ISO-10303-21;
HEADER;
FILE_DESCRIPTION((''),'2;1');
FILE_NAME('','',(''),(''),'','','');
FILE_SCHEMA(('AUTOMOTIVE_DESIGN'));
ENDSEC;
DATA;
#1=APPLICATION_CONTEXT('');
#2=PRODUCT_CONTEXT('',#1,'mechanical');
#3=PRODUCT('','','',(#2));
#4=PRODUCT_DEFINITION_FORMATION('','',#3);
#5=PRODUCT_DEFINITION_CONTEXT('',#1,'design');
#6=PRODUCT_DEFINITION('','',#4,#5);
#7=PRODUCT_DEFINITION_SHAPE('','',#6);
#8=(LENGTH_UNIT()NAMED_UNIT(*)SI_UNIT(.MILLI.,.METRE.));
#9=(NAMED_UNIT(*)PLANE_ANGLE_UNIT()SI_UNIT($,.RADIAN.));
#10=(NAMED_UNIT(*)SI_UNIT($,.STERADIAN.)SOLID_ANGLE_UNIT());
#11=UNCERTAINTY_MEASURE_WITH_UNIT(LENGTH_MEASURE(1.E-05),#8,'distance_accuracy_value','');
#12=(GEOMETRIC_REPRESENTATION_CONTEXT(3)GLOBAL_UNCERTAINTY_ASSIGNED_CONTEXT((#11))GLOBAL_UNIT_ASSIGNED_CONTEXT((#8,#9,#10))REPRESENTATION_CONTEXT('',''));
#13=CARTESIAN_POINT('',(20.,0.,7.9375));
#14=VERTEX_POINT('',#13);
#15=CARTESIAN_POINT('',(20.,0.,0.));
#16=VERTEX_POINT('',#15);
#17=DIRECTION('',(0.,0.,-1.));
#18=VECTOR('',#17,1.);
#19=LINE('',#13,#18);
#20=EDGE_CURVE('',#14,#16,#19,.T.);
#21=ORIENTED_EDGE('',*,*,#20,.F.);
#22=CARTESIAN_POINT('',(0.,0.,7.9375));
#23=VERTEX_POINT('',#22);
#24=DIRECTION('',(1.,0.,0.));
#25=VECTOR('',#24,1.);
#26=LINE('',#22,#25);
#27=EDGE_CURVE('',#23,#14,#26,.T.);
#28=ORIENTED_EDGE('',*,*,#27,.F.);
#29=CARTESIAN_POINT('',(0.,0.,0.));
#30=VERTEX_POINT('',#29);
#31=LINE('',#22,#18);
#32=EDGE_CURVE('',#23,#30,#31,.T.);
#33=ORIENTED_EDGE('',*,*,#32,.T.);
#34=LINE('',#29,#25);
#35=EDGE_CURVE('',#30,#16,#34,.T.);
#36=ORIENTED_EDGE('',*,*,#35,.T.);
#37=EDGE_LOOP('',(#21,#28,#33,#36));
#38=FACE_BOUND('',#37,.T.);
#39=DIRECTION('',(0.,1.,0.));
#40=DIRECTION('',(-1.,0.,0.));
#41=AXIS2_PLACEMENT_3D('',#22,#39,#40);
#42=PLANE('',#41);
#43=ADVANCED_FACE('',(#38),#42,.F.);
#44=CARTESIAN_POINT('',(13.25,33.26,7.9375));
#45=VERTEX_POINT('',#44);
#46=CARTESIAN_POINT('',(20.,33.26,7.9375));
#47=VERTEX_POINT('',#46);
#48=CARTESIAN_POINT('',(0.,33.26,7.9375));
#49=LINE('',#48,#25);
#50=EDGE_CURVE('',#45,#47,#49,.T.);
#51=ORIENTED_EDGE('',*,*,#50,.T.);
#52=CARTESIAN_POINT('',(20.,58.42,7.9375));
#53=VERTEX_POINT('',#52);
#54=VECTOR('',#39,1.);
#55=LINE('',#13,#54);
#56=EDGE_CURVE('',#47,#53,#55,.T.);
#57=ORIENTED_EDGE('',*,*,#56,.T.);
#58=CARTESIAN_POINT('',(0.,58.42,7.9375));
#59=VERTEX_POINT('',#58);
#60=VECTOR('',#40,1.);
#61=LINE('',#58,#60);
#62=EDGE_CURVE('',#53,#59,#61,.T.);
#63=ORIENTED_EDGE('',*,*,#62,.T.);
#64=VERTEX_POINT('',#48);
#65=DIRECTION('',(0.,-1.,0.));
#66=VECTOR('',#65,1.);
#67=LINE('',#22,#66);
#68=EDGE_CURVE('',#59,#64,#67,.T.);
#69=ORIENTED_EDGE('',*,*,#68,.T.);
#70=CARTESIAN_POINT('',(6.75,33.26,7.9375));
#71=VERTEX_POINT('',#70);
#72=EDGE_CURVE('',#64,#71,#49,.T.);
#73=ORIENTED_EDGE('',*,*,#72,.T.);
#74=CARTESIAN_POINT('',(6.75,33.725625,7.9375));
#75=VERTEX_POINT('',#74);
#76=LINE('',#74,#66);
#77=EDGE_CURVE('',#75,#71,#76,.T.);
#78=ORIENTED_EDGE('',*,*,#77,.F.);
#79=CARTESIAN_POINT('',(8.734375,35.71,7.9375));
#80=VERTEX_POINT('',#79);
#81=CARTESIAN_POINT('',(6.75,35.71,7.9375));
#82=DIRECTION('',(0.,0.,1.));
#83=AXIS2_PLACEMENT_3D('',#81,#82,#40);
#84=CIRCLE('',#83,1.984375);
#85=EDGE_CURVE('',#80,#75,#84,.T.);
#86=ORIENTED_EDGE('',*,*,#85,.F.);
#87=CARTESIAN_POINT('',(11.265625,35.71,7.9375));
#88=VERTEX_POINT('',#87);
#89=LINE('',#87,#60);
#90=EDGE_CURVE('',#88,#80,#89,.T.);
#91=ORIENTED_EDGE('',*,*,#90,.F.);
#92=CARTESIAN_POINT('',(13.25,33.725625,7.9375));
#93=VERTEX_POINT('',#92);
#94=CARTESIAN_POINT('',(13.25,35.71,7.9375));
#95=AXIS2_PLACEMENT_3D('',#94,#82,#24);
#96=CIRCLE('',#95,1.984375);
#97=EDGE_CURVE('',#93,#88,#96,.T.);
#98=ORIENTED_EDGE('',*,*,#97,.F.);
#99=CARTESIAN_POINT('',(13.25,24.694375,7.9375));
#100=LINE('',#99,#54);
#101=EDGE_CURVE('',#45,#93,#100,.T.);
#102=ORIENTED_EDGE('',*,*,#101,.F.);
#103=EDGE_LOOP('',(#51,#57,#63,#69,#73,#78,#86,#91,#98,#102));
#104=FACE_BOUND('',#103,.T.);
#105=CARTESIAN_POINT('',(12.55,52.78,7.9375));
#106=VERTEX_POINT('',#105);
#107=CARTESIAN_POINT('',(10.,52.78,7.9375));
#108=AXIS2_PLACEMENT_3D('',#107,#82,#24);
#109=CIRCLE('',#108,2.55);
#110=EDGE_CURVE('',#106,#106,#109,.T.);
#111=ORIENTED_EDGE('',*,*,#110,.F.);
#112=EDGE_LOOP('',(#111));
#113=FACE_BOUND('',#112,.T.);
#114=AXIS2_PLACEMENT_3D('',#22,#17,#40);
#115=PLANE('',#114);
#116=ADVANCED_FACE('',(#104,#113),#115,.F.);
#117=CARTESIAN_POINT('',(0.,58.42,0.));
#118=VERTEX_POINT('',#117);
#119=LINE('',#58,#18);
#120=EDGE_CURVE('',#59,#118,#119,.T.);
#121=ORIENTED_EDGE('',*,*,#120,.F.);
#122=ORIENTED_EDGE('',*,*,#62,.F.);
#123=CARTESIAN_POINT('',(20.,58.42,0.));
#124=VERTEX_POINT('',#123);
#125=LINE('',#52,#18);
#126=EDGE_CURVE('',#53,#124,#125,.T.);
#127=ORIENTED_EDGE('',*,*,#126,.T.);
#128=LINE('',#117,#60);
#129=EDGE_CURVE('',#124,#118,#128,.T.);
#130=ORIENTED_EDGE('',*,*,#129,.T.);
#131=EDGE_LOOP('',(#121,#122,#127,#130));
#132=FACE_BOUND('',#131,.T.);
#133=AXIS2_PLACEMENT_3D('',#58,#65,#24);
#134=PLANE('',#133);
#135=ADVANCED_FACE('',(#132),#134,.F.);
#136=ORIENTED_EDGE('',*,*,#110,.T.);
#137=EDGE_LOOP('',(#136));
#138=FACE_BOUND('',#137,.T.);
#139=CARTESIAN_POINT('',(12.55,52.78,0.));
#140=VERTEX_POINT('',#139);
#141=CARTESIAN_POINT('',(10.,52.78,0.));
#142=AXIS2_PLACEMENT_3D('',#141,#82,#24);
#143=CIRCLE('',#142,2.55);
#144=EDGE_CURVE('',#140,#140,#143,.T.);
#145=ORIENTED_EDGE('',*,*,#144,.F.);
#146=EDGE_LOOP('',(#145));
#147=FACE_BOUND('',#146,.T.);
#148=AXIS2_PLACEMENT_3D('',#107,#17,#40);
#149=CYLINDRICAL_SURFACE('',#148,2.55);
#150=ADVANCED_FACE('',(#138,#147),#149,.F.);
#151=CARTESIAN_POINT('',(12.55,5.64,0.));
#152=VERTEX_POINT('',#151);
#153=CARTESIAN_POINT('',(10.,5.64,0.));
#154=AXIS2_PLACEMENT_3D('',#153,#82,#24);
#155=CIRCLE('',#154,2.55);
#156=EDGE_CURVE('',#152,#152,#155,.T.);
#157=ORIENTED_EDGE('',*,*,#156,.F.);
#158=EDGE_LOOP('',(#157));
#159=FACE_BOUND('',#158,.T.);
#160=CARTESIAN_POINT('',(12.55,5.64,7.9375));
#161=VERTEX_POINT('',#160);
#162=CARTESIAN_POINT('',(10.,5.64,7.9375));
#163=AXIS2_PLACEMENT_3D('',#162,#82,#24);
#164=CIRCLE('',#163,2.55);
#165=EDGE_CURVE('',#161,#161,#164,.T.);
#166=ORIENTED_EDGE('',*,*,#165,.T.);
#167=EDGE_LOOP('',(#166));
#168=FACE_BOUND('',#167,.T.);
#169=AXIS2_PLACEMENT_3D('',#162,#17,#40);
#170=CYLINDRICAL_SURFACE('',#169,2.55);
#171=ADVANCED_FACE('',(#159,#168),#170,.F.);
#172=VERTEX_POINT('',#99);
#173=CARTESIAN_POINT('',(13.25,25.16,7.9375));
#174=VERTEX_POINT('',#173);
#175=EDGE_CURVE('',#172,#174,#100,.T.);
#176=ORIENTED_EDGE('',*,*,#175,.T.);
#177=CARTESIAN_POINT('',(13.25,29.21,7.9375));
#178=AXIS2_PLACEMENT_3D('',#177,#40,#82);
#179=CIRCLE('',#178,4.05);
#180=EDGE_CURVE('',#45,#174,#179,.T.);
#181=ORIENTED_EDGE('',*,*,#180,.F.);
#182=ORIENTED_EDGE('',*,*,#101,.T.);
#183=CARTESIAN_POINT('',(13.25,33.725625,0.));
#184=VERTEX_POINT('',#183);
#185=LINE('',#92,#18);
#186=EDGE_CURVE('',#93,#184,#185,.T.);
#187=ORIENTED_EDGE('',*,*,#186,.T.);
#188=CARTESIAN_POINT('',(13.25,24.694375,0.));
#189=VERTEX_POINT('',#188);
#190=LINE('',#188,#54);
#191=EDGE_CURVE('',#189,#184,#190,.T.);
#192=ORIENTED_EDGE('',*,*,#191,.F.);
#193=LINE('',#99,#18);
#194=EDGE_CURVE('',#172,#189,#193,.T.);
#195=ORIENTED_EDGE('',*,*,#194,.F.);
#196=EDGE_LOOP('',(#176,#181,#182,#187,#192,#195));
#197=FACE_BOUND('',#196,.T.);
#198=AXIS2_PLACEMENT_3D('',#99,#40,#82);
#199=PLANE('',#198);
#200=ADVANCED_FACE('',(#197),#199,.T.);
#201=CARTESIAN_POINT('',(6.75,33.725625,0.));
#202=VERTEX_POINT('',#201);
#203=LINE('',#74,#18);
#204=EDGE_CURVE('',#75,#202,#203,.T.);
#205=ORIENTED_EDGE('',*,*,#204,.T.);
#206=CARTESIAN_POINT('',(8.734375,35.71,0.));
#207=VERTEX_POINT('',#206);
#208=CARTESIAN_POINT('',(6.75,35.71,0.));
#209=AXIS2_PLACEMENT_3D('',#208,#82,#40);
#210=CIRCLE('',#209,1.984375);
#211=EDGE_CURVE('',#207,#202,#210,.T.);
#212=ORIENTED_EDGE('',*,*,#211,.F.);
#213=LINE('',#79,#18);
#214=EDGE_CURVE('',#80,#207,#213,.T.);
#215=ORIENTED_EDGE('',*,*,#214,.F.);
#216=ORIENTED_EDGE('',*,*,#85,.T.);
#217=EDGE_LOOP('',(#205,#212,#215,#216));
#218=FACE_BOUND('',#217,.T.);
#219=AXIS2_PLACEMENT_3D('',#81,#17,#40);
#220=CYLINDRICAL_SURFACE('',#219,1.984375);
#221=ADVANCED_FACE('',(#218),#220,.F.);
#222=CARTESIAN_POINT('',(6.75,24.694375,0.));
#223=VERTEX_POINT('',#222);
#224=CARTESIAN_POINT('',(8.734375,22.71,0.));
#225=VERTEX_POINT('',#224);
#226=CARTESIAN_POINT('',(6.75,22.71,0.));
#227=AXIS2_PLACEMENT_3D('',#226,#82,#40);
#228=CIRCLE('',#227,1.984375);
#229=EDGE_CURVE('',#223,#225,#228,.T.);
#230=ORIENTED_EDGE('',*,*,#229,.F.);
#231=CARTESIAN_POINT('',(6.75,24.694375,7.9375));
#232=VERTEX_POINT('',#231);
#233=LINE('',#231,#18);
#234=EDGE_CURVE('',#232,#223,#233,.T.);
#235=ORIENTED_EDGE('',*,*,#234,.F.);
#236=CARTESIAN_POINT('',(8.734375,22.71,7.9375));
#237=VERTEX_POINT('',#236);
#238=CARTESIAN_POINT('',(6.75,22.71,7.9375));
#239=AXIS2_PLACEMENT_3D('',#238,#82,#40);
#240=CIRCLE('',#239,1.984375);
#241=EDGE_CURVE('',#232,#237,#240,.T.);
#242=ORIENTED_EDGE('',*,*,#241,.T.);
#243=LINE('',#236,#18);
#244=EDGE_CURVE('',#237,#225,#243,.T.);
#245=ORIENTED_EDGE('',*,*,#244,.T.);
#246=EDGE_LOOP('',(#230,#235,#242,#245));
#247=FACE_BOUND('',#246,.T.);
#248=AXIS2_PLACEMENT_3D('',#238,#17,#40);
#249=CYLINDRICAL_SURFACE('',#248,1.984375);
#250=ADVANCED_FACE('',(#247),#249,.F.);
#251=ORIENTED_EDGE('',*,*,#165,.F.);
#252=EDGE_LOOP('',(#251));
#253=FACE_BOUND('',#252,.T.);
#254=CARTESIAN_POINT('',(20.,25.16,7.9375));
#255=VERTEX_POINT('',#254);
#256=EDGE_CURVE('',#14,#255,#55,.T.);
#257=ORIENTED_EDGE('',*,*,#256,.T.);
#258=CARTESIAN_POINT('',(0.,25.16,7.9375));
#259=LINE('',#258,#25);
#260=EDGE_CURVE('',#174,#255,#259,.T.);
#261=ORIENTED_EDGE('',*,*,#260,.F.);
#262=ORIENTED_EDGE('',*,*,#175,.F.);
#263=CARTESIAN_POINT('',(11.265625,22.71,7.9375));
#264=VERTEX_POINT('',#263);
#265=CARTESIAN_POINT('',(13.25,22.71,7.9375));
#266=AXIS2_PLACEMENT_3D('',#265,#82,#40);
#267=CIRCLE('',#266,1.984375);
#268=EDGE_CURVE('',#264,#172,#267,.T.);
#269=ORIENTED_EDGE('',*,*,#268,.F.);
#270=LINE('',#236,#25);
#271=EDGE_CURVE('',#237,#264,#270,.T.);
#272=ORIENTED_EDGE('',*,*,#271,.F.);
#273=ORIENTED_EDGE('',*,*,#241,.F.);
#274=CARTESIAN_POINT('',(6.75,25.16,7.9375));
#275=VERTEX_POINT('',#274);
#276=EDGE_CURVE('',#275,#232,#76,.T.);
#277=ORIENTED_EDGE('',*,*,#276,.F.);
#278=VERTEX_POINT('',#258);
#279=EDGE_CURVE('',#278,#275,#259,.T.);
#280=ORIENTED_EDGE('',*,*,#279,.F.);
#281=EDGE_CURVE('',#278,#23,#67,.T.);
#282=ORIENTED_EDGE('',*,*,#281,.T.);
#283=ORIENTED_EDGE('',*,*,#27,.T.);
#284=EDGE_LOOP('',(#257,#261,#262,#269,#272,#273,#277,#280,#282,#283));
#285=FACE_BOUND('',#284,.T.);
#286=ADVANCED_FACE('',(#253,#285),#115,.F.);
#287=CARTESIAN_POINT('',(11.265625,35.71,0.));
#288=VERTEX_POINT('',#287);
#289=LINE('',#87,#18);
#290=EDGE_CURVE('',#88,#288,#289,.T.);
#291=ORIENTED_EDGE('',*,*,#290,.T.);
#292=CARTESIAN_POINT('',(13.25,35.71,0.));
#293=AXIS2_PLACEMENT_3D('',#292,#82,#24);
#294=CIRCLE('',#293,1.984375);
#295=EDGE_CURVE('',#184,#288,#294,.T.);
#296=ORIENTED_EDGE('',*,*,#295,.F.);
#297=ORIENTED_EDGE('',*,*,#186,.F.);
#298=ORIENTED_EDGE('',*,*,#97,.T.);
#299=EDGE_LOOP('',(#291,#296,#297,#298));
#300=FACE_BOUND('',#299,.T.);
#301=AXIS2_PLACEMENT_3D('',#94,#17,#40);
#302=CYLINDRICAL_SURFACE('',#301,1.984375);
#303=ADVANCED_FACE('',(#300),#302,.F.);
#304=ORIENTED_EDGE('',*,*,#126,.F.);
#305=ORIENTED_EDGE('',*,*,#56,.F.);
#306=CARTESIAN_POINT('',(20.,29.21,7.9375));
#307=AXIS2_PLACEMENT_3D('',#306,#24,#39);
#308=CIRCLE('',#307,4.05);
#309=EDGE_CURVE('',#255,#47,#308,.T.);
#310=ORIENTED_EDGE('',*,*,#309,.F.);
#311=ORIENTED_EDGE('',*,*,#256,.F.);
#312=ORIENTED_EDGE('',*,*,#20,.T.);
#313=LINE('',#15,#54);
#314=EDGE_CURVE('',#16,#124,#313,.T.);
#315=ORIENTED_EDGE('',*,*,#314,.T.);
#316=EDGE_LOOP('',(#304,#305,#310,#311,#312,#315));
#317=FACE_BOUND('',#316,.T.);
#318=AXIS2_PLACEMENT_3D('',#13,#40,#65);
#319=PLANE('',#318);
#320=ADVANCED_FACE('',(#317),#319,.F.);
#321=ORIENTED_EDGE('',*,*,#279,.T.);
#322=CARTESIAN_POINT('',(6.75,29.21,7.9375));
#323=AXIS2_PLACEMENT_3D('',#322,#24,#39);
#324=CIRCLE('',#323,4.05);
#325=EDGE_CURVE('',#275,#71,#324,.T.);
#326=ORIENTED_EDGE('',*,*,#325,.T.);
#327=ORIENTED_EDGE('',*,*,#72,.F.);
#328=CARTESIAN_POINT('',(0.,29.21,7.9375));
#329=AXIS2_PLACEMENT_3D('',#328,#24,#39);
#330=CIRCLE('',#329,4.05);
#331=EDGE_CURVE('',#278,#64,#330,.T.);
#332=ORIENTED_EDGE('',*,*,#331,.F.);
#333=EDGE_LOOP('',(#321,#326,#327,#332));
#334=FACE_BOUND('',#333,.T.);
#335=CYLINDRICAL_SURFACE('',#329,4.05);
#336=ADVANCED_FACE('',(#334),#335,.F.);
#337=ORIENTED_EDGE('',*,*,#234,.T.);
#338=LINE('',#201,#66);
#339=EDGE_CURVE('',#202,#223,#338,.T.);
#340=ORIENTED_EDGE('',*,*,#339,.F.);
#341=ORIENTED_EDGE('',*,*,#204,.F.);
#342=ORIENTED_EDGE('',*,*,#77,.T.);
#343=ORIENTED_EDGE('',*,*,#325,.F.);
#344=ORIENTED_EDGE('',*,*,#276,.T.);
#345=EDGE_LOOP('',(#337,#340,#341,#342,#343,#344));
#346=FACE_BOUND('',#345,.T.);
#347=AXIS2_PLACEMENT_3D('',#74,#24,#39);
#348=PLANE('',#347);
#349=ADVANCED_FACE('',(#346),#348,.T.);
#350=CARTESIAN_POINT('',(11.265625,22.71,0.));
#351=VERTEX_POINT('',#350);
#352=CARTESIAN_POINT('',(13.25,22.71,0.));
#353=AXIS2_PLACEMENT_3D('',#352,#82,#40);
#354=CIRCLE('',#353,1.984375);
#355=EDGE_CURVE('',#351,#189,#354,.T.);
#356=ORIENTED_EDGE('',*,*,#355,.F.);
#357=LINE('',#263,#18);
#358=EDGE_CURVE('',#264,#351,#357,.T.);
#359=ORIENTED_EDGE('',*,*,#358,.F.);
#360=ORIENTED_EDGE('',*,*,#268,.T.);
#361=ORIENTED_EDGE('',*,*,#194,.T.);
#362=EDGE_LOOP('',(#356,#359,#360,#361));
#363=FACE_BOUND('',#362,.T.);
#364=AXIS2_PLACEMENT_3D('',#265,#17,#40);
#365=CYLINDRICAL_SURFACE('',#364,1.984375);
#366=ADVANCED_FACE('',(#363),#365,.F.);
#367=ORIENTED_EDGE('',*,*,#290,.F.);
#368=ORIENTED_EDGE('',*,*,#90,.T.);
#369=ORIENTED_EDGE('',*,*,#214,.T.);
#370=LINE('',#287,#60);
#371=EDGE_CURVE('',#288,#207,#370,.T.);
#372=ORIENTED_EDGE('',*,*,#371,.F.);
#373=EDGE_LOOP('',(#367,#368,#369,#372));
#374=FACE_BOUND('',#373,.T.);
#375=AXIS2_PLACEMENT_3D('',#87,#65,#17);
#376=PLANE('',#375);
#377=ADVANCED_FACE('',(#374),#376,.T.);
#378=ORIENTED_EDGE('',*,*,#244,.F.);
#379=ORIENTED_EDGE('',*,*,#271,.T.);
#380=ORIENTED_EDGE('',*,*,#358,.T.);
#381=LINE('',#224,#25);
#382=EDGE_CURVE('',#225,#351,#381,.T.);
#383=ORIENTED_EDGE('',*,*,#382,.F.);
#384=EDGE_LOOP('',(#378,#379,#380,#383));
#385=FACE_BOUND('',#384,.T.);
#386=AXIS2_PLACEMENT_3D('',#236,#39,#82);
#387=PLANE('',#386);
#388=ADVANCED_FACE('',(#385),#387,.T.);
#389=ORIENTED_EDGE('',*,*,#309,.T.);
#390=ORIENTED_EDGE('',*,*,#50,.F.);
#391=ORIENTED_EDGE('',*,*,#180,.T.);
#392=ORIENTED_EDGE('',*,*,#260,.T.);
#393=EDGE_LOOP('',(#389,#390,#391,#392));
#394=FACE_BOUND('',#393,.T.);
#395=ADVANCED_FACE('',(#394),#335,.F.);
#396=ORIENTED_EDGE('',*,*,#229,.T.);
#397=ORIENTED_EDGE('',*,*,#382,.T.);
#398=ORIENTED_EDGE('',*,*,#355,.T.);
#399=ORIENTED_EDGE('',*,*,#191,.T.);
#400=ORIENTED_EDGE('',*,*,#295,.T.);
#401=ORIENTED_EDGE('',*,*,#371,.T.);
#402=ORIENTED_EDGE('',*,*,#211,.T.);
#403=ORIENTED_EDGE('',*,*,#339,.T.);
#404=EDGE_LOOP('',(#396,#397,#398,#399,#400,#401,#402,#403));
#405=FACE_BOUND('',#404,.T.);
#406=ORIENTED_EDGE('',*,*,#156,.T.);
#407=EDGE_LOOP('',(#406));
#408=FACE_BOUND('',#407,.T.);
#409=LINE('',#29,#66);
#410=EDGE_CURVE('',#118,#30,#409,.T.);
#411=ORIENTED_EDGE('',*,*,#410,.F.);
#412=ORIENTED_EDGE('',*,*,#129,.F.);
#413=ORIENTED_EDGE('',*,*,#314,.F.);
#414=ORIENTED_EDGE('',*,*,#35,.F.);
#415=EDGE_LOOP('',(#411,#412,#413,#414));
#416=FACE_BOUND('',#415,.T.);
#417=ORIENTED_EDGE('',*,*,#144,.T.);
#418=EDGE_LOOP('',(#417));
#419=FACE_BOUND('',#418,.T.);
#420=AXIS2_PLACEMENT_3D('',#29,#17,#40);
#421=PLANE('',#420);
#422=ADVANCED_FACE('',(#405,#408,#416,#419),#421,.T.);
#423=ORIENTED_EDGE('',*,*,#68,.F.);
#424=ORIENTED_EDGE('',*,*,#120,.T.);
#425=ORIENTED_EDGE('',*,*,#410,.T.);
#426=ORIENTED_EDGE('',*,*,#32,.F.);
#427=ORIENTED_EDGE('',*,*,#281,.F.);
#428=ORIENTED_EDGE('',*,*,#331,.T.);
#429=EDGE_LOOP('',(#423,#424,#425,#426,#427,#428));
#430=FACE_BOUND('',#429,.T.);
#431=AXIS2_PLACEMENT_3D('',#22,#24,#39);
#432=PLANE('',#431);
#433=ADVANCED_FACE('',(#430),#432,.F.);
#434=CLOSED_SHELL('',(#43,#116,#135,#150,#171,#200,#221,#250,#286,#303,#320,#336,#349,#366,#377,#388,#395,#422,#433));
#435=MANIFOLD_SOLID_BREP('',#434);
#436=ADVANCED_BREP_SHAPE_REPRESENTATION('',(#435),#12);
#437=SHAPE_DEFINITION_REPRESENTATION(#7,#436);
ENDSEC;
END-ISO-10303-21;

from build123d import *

# Parameters (mm, degrees)
SKETCH1_W           = 20
SKETCH1_H           = 58.42
SKETCH1_R           = 2.55
BOSS_EXTRUDE1_DEPTH = 7.9375
CUT_EXTRUDE1_DEPTH  = 63.256729004


with BuildPart() as part:
    # Sketch1 → Boss-Extrude1 (new body)
    with BuildSketch(Plane.XY):
        with Locations((10, 29.21)):
            Rectangle(SKETCH1_W, SKETCH1_H)
        with Locations((10, 52.78)):
            Circle(SKETCH1_R, mode=Mode.SUBTRACT)
        with Locations((10, 5.64)):
            Circle(SKETCH1_R, mode=Mode.SUBTRACT)
        with BuildLine():
            Line((13.25, 24.694375), (13.25, 33.725625))
            ThreePointArc((13.25, 33.725625), (14.653165019, 37.113165019), (11.265625, 35.71))
            Line((11.265625, 35.71), (8.734375, 35.71))
            ThreePointArc((8.734375, 35.71), (5.346834981, 37.113165019), (6.75, 33.725625))
            Line((6.75, 33.725625), (6.75, 24.694375))
            ThreePointArc((6.75, 24.694375), (5.346834981, 21.306834981), (8.734375, 22.71))
            Line((8.734375, 22.71), (11.265625, 22.71))
            ThreePointArc((11.265625, 22.71), (14.653165019, 21.306834981), (13.25, 24.694375))
        make_face(mode=Mode.SUBTRACT)
    extrude(amount=BOSS_EXTRUDE1_DEPTH)

    # Sketch2 → Cut-Extrude1 (cut, through all)
    with BuildSketch(Plane(origin=(20, 0, 0), x_dir=(0, 0, -1), z_dir=(1, 0, 0))):
        with BuildLine():
            Line((-7.9375, 33.26), (-7.9375, 25.16))
            ThreePointArc((-7.9375, 25.16), (-3.8875, 29.21), (-7.9375, 33.26))
        make_face()
    extrude(amount=-CUT_EXTRUDE1_DEPTH, mode=Mode.SUBTRACT)


solid = part.part
